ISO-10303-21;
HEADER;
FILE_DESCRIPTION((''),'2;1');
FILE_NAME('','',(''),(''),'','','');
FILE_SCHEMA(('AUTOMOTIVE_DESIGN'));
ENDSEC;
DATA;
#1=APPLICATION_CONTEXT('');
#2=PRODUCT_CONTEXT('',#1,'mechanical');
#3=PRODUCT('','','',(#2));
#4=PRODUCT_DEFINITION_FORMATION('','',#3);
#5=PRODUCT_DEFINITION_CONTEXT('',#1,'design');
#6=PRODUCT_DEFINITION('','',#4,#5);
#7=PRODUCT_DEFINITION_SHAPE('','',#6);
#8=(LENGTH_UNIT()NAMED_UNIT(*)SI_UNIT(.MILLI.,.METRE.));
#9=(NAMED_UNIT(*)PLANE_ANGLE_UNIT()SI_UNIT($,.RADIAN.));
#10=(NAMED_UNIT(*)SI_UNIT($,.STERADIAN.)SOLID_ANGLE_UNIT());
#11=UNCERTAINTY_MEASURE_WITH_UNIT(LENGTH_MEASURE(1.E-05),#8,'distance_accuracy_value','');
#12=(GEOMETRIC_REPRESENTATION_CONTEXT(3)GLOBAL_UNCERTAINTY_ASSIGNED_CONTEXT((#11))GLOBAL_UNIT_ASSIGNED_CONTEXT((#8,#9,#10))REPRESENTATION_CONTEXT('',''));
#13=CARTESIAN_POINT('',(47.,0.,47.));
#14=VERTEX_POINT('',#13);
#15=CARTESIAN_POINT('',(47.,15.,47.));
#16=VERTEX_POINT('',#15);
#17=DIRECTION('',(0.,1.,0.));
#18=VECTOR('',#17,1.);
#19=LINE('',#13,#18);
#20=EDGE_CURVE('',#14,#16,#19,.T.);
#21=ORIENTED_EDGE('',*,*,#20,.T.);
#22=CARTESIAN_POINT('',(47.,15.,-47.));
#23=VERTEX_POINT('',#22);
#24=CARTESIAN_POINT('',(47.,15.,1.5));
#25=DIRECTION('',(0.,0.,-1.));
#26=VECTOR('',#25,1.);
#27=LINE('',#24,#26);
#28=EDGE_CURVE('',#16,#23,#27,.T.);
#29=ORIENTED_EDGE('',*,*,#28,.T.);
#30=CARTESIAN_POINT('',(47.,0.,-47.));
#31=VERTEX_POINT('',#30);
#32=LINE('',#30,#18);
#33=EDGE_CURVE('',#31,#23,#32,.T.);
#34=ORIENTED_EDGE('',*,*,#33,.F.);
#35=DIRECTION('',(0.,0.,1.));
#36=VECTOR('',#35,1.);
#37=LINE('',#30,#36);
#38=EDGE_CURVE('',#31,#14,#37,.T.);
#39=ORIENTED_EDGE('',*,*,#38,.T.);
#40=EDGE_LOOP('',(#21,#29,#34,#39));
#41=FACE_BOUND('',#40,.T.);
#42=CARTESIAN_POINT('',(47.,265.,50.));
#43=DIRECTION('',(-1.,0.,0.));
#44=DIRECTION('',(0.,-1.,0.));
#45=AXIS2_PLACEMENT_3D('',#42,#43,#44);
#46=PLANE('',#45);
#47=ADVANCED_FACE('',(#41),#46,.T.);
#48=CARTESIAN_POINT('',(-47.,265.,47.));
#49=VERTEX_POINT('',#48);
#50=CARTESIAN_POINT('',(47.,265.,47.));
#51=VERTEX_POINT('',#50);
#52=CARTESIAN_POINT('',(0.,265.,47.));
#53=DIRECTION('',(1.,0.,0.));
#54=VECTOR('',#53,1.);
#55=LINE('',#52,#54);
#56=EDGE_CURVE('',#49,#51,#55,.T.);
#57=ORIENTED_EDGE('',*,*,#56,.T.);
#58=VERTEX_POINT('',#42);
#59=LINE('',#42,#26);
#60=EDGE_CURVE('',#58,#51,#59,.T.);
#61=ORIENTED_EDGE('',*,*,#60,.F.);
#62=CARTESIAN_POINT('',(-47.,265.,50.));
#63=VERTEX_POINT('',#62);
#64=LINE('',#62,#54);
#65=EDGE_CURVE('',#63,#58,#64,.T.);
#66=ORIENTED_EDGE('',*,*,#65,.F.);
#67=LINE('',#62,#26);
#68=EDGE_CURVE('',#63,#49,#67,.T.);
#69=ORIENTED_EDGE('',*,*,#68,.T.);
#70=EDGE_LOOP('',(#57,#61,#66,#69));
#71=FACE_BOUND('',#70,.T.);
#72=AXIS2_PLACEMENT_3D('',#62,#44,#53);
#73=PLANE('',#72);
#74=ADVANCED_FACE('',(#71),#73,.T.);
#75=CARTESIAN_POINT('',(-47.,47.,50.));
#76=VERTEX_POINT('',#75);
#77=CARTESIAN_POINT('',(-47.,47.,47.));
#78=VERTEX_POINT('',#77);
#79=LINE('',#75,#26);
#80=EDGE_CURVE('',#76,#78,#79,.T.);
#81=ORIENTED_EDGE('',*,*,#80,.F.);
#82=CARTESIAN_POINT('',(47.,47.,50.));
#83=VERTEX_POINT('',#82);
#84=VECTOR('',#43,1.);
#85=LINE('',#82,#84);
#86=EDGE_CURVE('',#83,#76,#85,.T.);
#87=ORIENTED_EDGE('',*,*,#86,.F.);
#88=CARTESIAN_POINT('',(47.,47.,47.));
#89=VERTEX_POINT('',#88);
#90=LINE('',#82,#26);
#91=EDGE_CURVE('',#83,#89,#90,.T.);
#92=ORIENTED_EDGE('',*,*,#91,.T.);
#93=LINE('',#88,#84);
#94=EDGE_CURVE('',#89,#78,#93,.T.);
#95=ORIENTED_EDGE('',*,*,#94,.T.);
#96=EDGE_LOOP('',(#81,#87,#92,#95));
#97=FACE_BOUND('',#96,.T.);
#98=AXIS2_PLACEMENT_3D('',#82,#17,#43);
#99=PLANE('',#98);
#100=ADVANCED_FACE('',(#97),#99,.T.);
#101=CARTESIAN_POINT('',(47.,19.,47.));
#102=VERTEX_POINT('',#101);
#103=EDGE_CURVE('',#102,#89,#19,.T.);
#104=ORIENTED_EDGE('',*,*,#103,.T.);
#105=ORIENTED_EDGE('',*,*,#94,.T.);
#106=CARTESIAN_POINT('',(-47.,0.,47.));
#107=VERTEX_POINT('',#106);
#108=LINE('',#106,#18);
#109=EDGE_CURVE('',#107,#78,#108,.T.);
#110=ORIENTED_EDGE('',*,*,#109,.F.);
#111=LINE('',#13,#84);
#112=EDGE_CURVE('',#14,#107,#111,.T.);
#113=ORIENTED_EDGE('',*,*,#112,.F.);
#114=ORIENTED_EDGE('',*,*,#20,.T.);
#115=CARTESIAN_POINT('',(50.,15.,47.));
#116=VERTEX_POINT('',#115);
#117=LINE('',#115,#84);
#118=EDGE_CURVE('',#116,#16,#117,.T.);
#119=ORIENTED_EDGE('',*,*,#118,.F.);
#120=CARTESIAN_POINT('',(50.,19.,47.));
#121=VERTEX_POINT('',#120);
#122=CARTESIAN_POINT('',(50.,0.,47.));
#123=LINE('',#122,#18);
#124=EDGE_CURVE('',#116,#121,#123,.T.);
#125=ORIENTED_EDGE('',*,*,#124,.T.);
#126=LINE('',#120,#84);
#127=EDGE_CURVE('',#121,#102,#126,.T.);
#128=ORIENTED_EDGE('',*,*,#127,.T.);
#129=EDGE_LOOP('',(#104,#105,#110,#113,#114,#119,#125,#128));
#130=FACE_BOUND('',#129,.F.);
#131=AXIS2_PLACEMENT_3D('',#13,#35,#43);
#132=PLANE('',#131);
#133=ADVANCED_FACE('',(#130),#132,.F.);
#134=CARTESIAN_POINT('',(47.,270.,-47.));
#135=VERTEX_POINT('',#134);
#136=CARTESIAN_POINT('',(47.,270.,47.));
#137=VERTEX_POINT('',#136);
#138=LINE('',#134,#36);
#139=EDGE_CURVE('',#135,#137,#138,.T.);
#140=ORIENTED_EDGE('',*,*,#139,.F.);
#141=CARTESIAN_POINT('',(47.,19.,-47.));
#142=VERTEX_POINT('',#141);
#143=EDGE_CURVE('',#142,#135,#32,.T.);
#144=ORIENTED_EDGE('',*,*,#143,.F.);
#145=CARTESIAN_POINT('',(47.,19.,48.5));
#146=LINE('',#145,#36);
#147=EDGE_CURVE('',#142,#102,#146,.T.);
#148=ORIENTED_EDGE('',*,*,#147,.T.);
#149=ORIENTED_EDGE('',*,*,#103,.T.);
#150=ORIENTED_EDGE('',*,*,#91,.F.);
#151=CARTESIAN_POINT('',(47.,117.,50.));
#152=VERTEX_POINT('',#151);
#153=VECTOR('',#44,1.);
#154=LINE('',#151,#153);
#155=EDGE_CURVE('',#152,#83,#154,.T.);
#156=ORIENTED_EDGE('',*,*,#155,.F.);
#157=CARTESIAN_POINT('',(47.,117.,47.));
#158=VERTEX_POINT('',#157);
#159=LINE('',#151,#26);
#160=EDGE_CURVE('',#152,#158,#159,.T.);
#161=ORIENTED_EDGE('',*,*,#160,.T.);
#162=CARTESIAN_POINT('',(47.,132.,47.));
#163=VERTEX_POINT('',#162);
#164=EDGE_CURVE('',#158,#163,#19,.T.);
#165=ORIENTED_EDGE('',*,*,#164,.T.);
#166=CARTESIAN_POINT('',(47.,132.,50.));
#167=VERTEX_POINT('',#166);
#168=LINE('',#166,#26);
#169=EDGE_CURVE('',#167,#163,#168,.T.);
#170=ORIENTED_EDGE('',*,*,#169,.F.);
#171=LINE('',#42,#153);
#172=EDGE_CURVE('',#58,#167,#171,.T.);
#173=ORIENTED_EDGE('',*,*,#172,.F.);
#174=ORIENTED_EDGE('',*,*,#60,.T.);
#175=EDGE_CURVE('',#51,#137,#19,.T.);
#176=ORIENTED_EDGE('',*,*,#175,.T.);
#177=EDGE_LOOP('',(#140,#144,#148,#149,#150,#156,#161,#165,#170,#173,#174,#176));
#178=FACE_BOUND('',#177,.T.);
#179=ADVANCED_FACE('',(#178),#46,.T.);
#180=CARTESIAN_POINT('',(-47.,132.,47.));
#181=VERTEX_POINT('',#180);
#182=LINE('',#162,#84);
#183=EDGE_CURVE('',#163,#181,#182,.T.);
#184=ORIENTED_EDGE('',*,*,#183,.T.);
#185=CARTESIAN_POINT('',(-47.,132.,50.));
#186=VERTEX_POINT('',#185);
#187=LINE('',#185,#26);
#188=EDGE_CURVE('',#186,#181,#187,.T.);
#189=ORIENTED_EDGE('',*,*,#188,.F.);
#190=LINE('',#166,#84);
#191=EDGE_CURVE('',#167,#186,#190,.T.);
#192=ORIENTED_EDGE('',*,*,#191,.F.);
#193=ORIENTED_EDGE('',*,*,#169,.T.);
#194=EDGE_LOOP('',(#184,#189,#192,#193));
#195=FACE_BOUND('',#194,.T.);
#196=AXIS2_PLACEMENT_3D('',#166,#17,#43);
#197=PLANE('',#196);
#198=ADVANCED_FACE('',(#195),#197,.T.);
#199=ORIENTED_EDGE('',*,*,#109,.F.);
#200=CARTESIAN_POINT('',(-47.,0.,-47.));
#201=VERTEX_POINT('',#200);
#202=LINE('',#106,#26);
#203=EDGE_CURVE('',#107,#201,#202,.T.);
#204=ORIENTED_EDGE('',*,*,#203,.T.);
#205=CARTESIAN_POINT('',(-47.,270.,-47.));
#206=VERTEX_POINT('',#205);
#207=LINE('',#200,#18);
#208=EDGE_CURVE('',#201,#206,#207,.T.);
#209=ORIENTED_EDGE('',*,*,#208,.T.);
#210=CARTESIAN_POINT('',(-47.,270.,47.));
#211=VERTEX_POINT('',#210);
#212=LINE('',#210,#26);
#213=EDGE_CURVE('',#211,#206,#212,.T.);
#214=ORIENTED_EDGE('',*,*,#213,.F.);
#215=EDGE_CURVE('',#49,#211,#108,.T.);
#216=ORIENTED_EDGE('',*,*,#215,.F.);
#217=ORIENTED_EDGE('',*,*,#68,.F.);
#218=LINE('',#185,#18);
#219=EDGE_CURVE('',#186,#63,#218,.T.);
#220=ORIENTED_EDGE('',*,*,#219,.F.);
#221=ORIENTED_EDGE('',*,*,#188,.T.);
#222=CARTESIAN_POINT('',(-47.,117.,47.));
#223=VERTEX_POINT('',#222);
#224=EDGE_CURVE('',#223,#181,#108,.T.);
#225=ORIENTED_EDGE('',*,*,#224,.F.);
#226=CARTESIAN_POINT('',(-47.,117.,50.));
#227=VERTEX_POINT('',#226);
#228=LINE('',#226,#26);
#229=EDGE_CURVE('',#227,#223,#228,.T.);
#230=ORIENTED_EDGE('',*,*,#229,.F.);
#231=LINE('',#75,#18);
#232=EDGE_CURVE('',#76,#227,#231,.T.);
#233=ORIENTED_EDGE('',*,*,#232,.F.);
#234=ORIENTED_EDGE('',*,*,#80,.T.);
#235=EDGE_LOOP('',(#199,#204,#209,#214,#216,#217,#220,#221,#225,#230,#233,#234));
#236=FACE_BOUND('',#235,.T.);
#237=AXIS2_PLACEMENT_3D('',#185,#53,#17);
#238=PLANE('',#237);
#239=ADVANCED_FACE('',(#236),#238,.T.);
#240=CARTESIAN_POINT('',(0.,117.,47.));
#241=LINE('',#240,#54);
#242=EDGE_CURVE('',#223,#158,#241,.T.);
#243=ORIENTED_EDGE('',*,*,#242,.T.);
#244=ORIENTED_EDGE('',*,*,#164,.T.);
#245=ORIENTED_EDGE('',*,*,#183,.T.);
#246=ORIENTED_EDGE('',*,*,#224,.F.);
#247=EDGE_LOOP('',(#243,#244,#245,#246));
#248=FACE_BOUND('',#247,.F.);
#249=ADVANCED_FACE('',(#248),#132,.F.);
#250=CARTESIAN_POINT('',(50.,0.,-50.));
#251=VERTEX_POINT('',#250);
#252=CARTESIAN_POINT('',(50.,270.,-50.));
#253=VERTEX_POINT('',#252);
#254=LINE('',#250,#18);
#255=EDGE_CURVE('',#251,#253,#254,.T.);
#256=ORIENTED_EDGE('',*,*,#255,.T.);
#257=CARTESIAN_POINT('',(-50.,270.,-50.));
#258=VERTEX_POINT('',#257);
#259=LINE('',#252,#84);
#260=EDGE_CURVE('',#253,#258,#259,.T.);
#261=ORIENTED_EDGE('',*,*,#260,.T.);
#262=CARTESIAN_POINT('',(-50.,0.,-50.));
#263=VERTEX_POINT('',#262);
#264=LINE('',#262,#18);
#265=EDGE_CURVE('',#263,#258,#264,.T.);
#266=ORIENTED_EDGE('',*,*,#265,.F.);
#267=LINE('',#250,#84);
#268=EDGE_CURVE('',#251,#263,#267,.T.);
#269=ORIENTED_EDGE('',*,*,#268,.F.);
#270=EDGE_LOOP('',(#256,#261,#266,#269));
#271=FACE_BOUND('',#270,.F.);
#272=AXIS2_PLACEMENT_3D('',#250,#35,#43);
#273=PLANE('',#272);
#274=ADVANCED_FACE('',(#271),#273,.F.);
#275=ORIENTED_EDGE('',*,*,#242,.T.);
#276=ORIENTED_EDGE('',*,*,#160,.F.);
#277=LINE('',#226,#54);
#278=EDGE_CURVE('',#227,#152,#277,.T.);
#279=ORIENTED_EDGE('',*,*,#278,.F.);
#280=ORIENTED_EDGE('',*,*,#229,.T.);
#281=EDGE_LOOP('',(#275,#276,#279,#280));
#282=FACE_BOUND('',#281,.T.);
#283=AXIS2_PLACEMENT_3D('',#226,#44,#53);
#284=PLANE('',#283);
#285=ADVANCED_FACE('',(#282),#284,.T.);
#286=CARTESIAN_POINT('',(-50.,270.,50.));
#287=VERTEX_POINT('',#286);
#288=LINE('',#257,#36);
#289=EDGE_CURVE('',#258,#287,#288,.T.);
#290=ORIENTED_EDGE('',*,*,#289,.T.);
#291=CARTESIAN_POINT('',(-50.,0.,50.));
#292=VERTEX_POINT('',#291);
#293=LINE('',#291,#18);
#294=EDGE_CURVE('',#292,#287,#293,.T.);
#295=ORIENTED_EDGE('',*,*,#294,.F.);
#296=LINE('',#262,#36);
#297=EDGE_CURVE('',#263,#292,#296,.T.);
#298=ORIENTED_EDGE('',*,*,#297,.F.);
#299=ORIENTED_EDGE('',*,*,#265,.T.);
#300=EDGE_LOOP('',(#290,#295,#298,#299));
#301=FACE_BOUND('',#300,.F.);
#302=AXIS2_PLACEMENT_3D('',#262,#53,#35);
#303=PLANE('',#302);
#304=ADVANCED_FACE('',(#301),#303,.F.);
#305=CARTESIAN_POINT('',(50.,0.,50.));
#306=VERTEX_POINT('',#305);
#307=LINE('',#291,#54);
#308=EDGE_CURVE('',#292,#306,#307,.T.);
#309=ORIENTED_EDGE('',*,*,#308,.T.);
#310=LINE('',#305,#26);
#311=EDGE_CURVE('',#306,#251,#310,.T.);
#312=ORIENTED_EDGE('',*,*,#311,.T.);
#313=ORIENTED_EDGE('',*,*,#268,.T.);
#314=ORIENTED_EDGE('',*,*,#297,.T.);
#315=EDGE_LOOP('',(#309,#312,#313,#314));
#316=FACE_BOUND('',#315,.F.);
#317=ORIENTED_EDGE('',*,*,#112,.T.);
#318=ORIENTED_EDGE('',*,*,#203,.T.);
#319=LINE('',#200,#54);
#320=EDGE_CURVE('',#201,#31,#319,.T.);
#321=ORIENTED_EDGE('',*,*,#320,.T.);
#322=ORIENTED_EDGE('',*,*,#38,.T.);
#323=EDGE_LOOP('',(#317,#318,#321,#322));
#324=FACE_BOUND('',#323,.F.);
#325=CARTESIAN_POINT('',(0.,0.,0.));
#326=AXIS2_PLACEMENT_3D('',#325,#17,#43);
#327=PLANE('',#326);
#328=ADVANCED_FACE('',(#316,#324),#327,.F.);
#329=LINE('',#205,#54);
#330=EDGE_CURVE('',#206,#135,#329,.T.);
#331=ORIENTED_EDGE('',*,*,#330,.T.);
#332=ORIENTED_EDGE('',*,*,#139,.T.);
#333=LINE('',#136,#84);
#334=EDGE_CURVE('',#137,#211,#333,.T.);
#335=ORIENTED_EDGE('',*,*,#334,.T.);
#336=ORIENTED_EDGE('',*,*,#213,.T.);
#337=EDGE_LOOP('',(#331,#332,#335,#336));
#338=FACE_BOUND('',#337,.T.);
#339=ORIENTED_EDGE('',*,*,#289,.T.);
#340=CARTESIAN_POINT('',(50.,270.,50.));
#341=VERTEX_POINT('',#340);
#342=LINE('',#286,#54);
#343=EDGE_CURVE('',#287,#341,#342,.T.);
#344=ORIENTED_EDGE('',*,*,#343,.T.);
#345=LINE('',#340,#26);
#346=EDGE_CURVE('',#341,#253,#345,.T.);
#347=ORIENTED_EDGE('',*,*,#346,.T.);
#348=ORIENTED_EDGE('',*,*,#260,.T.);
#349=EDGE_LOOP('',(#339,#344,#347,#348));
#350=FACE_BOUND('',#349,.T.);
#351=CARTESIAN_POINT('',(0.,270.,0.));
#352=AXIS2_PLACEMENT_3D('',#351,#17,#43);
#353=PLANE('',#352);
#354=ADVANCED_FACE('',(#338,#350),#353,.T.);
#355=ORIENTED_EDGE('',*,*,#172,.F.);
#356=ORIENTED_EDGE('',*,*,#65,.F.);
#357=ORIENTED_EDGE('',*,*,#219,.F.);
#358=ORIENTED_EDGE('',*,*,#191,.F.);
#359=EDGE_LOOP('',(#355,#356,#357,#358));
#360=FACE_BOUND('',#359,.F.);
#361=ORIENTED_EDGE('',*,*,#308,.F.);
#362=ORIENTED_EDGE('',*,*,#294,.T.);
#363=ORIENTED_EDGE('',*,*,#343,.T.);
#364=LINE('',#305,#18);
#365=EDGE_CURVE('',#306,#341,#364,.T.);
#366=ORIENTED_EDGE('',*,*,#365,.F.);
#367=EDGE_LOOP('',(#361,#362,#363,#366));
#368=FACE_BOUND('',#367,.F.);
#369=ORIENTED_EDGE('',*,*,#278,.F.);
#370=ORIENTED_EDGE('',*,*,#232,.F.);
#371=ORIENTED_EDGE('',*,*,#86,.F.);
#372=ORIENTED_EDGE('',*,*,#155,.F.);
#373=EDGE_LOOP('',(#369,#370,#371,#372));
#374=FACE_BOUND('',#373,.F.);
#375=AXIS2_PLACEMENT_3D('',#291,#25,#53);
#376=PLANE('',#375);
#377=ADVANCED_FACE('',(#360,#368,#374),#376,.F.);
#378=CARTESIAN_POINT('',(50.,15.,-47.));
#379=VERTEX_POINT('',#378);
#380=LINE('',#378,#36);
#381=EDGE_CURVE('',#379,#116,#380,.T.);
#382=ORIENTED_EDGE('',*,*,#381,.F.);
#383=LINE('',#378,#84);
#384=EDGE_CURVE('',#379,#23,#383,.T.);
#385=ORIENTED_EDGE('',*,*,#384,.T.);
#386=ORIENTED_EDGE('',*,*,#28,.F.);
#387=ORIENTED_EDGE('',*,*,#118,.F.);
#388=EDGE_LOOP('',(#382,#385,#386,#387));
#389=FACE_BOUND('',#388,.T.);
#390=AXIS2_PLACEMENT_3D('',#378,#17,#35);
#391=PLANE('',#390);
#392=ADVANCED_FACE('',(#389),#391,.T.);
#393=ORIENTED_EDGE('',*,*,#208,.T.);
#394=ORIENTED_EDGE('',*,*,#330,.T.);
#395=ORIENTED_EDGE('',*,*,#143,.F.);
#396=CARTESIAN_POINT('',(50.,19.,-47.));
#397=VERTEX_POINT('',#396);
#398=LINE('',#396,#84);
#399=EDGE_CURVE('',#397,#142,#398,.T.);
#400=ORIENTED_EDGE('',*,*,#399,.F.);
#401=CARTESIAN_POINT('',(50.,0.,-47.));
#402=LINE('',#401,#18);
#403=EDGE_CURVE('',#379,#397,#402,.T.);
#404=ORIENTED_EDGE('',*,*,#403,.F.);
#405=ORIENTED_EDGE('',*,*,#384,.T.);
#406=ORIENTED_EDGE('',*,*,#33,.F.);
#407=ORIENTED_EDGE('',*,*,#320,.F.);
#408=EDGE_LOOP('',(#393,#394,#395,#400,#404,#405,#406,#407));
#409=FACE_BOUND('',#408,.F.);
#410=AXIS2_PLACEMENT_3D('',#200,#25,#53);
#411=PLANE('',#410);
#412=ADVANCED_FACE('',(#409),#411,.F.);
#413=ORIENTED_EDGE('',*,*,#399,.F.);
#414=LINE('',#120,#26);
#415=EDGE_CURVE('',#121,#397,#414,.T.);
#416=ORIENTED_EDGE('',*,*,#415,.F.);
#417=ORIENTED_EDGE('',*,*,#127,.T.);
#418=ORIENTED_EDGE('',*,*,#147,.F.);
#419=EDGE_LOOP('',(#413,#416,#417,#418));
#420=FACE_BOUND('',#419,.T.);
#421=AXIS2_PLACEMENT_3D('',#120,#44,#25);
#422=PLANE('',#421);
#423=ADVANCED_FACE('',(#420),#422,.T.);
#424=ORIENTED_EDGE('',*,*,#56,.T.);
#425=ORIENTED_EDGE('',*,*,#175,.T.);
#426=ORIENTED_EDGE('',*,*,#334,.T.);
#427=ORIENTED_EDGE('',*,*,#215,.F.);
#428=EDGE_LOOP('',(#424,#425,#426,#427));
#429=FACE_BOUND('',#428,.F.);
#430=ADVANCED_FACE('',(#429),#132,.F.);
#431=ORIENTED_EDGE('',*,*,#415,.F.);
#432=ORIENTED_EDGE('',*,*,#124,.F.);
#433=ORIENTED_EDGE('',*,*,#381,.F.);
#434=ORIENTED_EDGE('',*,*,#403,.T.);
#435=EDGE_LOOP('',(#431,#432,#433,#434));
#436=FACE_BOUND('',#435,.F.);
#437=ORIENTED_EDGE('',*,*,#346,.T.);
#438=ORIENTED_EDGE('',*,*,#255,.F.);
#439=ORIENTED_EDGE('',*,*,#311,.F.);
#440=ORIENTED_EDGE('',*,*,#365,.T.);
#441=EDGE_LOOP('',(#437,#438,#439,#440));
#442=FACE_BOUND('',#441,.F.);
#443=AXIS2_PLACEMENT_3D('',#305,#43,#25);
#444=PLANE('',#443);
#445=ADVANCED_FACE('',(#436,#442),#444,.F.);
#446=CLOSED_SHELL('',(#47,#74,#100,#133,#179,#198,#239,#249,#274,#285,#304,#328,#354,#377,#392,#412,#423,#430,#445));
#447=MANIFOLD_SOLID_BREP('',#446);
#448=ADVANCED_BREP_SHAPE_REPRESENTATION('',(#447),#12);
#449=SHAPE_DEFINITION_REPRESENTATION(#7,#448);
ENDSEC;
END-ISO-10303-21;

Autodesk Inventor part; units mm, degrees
ref_plane "YZ Plane" through (0, 0, 0) normal (1, 0, 0) x (0, 1, 0)
ref_plane "XZ Plane" through (0, 0, 0) normal (0, 1, 0) x (-1, 0, 0)
ref_plane "XY Plane" through (0, 0, 0) normal (0, 0, 1) x (1, 0, 0)
sketch "Sketch1" plane through (0, 0, 0) normal (0, 1, 0) x (-1, 0, 0)
  line L0 (50, 50) -> (-50, 50)
  line L1 (-50, 50) -> (-50, -50)
  line L2 (-50, -50) -> (50, -50)
  line L3 (50, -50) -> (50, 50)
  line L4 (50, 50) -> (-50, -50) construction
  line L5 (-50, 50) -> (50, -50) construction
  line L6 (-47, 47) -> (47, 47)
  line L7 (47, 47) -> (47, -47)
  line L8 (47, -47) -> (-47, -47)
  line L9 (-47, -47) -> (-47, 47)
  line L10 (-47, 47) -> (47, -47) construction
  line L11 (47, 47) -> (-47, -47) construction
  point P0 (0, 0)
  dimension "d0" = 100
  dimension "d1" = 100
  dimension "d2" = 3
  dimension "d3" = 3
extrude "Extrusion1" add sketch "Sketch1" along normal blind 270
sketch "Sketch2" plane through (-50, 0, 50) normal (0, 0, 1) x (1, 0, 0)
  line L0 (3, 265) -> (97, 265)
  line L1 (97, 265) -> (97, 132)
  line L2 (97, 132) -> (3, 132)
  line L3 (3, 132) -> (3, 265)
  line L4 (0, 0) -> (0, 270) projected
  line L5 (0, 270) -> (100, 270) projected
  line L6 (3, 117) -> (97, 117)
  line L7 (97, 117) -> (97, 47)
  line L8 (97, 47) -> (3, 47)
  line L9 (3, 47) -> (3, 117)
  line L10 (100, 0) -> (100, 270) projected
  point P0 (50, 0)
  point P1 (50, 270)
  point P2 (50, 265)
  dimension "d6" = 94
  dimension "d7" = 3
  dimension "d8" = 5
  dimension "d9" = 133
  dimension "d10" = 70
  dimension "d11" = 15
  dimension "d12" = 3
extrude "Extrusion2" cut sketch "Sketch2" against normal blind 10
sketch "Sketch10" plane through (50, 0, 50) normal (1, 0, 0) x (0, 0, -1)
  line L0 (3, 0) -> (3, 47) projected
  line L1 (97, 0) -> (97, 270) projected
  line L2 (3, 19) -> (97, 19)
  line L3 (97, 19) -> (97, 15)
  line L4 (97, 15) -> (3, 15)
  line L5 (3, 15) -> (3, 19)
  line L6 (0, 0) -> (100, 0) projected
  point P0 (50, 0)
  point P1 (3, 15)
  dimension "d46" = 4
  dimension "d49" = 15
extrude "Extrusion10" cut sketch "Sketch10" against normal blind 10 contours L0 L2 L1 L4
equation "\"d1\" = d0"
equation "\"d12\" = d7"
properties part number "FLU-ShaftRS3" material "Steel"
